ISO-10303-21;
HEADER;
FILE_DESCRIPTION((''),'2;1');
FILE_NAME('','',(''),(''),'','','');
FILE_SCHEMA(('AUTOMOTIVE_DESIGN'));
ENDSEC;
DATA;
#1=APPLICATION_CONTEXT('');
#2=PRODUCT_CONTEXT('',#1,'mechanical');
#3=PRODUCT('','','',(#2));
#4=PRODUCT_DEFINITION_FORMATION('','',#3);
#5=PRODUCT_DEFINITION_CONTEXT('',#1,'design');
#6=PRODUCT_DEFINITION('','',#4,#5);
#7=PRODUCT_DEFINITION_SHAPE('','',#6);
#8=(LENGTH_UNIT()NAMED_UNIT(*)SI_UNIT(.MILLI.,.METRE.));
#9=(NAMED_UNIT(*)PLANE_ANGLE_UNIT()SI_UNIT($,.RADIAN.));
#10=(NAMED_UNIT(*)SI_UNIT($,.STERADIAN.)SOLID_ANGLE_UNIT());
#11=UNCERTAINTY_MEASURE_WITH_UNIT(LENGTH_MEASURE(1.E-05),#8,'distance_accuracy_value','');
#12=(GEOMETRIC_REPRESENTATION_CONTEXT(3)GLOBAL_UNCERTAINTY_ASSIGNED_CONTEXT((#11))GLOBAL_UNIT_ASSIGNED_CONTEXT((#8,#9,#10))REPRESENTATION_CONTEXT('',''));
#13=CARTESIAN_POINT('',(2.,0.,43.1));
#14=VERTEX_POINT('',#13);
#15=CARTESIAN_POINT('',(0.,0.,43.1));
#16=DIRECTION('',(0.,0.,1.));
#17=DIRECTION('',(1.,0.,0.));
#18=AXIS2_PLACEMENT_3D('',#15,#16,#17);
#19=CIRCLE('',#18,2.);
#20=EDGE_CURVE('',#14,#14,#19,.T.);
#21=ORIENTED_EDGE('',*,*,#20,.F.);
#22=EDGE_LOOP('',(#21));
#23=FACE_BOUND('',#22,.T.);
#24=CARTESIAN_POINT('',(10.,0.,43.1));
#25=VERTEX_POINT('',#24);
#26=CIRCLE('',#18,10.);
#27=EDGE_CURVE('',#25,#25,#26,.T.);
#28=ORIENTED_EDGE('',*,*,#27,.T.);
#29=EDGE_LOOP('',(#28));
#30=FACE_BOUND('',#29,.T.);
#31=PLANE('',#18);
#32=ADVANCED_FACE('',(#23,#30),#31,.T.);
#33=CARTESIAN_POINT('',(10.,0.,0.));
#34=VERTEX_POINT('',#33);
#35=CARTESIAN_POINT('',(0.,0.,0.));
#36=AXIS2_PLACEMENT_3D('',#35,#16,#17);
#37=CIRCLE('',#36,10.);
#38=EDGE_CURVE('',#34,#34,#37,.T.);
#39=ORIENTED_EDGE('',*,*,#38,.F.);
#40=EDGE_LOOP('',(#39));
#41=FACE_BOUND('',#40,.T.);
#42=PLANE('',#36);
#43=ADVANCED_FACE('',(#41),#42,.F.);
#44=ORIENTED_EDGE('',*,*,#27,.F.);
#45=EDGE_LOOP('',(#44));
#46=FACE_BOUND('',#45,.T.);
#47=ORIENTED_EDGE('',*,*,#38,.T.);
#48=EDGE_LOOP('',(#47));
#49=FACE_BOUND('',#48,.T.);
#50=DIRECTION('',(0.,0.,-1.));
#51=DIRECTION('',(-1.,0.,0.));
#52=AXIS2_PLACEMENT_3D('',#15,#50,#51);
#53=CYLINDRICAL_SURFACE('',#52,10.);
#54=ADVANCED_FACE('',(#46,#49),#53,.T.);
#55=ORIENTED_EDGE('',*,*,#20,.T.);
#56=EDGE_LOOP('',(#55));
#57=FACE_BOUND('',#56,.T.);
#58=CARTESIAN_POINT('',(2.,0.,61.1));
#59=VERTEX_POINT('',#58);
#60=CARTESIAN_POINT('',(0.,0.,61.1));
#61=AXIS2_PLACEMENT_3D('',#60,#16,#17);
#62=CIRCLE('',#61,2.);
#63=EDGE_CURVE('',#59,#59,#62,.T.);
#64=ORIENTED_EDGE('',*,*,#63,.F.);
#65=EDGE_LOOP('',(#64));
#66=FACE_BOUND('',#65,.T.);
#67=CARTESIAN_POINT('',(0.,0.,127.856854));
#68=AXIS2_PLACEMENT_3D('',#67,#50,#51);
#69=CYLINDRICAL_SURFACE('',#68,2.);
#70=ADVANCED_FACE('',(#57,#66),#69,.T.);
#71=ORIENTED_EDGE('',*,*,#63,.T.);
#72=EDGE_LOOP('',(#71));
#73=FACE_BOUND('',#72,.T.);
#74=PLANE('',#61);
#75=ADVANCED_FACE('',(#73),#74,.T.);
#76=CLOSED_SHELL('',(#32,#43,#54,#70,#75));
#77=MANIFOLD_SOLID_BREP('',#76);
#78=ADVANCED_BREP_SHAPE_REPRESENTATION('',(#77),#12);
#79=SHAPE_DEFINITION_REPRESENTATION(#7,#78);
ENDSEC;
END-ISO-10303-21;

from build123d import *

# Parameters (mm, degrees)
SKETCH2_R           = 10
BOSS_EXTRUDE1_DEPTH = 43.1
SKETCH3_R           = 2
BOSS_EXTRUDE2_DEPTH = 18


with BuildPart() as part:
    # Sketch2 → Boss-Extrude1 (new body)
    with BuildSketch(Plane.XY):
        Circle(SKETCH2_R)
    extrude(amount=BOSS_EXTRUDE1_DEPTH)

    # Sketch3 → Boss-Extrude2 (add)
    with BuildSketch(Plane.XY.offset(43.1)):
        Circle(SKETCH3_R)
    extrude(amount=BOSS_EXTRUDE2_DEPTH)


solid = part.part
